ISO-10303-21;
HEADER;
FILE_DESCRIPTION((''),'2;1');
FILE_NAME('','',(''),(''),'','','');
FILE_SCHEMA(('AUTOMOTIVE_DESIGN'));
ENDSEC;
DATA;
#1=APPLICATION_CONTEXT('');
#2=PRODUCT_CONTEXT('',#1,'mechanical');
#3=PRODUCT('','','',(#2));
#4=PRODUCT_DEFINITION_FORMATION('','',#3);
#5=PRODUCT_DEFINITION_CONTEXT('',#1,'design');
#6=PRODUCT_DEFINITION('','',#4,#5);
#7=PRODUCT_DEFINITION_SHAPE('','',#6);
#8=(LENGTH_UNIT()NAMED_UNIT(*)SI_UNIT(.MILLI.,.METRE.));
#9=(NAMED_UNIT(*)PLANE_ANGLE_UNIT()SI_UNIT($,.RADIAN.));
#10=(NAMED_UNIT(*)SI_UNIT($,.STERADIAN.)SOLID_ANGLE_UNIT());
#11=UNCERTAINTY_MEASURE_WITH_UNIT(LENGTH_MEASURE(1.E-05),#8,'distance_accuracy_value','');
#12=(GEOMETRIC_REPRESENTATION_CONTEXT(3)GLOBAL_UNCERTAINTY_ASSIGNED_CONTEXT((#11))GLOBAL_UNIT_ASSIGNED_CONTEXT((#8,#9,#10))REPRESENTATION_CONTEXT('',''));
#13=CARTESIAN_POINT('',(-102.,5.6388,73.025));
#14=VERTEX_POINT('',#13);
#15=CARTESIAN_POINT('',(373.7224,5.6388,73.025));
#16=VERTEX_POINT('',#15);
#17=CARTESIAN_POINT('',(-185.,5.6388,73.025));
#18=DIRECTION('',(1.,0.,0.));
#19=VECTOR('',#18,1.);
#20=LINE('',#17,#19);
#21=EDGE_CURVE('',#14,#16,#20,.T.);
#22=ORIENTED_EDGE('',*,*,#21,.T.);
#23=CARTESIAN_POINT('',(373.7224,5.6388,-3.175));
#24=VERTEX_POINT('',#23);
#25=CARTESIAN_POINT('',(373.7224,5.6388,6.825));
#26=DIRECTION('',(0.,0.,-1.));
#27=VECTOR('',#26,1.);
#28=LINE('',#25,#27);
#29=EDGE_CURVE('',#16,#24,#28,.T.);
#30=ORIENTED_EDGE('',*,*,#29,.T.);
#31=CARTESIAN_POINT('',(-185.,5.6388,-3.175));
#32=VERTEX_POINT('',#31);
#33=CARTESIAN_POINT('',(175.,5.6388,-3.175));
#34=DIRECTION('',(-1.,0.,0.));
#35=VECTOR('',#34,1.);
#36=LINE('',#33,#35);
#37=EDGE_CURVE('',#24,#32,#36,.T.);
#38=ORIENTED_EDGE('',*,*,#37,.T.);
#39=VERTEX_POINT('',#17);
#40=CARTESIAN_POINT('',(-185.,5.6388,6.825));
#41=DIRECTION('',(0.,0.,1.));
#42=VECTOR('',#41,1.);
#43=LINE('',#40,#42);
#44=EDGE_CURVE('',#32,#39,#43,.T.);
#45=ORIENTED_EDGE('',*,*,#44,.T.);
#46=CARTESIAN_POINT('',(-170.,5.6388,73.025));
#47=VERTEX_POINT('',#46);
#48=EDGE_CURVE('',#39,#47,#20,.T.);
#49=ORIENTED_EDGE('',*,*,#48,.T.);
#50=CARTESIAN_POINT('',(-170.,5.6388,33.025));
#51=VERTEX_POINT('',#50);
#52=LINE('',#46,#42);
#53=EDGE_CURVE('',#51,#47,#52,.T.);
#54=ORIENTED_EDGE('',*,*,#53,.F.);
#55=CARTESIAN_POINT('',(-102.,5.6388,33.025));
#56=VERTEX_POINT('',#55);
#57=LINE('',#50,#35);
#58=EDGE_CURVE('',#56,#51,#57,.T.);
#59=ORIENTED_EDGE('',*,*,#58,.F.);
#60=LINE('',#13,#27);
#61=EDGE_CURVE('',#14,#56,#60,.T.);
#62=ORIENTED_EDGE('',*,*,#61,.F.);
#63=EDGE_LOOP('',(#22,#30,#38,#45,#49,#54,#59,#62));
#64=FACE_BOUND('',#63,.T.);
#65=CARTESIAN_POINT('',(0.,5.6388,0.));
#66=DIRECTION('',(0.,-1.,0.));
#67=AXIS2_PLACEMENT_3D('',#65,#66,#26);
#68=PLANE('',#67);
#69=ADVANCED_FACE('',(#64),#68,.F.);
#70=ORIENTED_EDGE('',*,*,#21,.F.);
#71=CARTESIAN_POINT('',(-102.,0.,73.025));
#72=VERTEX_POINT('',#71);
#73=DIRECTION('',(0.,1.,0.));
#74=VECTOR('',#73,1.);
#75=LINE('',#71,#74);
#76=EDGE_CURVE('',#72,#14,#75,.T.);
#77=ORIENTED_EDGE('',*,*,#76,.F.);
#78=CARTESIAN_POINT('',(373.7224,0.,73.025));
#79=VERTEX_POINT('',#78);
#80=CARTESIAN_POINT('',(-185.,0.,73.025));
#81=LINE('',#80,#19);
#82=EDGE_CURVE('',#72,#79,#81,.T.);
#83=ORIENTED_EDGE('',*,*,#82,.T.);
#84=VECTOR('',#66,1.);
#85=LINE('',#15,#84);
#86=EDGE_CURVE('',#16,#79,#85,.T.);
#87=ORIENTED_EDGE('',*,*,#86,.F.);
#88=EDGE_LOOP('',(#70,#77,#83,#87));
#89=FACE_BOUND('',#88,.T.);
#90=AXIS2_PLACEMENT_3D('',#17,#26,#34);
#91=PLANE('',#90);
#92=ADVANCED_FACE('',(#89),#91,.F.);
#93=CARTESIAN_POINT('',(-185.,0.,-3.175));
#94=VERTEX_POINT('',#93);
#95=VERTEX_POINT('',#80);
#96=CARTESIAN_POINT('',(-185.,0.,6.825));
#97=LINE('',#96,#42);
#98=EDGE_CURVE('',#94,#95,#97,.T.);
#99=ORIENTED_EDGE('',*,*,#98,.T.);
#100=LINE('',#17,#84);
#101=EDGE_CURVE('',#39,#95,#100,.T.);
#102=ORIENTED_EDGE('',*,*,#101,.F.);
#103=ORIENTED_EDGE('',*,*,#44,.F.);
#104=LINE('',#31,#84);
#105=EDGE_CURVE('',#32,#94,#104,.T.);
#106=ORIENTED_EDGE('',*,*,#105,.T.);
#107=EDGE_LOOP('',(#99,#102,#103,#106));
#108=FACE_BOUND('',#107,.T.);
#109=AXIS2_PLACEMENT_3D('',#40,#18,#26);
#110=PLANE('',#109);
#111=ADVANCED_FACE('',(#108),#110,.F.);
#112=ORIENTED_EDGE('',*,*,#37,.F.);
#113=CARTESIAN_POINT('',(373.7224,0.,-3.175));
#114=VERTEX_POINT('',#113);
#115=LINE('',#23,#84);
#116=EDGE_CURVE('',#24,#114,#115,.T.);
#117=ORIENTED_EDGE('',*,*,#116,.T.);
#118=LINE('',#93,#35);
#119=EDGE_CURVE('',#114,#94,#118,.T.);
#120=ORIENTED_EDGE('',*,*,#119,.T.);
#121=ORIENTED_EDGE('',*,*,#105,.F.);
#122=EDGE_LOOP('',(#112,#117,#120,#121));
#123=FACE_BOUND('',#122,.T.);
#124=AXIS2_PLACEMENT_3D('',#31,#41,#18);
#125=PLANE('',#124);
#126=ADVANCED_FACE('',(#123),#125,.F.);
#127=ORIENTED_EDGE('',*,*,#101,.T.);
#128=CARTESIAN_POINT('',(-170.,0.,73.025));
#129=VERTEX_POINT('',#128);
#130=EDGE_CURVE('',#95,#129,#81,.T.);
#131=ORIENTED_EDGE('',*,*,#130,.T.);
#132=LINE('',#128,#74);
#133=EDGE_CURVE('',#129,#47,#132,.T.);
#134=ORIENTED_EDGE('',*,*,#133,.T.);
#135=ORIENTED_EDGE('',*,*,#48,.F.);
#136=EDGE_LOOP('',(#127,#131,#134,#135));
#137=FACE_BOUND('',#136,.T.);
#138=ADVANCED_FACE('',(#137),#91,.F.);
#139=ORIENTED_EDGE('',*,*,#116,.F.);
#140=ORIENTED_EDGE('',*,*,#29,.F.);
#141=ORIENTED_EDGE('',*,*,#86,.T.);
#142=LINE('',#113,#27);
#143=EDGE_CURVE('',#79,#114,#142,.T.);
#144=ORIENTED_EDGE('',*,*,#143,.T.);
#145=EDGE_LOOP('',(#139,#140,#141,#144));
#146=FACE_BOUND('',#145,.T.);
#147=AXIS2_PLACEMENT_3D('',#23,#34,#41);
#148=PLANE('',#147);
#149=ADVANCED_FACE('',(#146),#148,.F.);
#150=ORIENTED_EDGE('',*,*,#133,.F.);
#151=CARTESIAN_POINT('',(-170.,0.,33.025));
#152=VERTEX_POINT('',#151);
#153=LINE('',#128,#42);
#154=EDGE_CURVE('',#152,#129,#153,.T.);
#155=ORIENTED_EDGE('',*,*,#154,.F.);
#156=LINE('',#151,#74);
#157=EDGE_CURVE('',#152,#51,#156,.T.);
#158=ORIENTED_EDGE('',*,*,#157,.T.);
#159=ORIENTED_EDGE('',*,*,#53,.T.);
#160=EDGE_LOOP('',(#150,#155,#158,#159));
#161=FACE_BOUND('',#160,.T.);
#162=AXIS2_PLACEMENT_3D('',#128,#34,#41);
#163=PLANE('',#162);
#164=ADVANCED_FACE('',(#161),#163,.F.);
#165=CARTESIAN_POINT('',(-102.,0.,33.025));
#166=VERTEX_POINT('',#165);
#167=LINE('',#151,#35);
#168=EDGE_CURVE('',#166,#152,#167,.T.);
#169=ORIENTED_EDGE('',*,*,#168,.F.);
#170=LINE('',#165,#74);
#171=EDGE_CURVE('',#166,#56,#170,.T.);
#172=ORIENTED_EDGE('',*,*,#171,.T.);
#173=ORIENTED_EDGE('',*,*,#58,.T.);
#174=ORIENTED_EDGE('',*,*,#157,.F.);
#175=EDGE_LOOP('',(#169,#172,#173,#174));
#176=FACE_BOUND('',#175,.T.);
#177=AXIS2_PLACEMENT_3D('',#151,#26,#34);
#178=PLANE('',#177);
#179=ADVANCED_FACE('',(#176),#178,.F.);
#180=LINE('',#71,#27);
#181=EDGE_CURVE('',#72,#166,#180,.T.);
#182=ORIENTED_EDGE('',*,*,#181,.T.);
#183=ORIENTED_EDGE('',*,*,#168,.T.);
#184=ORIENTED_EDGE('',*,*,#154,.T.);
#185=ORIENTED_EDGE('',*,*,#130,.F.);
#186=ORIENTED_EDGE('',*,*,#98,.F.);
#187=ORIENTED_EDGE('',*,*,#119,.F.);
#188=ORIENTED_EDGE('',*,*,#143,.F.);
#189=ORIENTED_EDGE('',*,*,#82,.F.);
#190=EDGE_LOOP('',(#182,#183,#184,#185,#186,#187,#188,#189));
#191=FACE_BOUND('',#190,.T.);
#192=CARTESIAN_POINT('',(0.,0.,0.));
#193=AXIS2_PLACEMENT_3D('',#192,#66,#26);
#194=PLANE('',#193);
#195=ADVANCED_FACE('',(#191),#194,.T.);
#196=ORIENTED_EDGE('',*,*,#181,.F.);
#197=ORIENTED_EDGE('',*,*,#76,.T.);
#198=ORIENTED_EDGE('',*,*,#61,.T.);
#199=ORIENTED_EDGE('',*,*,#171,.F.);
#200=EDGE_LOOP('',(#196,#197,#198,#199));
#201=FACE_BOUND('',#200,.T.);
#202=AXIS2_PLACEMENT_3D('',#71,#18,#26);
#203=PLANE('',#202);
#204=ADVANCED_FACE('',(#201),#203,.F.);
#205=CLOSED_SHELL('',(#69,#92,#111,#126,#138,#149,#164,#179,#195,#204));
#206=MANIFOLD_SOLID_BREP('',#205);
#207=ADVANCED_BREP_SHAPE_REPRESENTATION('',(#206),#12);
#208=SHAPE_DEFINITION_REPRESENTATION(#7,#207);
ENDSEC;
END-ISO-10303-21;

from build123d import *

# Parameters (mm, degrees)
BOSS_EXTRUDE1_DEPTH = 5.6388
SKETCH2_W           = 68
SKETCH2_H           = 40
CUT_EXTRUDE1_DEPTH  = 6.6388


with BuildPart() as part:
    # Sketch1 → Boss-Extrude1 (new body)
    with BuildSketch(Plane(origin=(0, 0, 0), x_dir=(1, 0, 0), z_dir=(0, 1, 0))):
        Polygon((-185, -73.025), (373.7224, -73.025), (373.7224, -6.825), (373.7224, 3.175), (175, 3.175), (-175, 3.175), (-185, 3.175), (-185, -6.825), align=None)
    extrude(amount=BOSS_EXTRUDE1_DEPTH)

    # Sketch2 → Cut-Extrude1 (cut, through all)
    with BuildSketch(Plane(origin=(0, 5.6388, 0), x_dir=(1, 0, 0), z_dir=(0, 1, 0))):
        with Locations((-136, -53.025)):
            Rectangle(SKETCH2_W, SKETCH2_H)
    extrude(amount=-CUT_EXTRUDE1_DEPTH, mode=Mode.SUBTRACT)


solid = part.part
